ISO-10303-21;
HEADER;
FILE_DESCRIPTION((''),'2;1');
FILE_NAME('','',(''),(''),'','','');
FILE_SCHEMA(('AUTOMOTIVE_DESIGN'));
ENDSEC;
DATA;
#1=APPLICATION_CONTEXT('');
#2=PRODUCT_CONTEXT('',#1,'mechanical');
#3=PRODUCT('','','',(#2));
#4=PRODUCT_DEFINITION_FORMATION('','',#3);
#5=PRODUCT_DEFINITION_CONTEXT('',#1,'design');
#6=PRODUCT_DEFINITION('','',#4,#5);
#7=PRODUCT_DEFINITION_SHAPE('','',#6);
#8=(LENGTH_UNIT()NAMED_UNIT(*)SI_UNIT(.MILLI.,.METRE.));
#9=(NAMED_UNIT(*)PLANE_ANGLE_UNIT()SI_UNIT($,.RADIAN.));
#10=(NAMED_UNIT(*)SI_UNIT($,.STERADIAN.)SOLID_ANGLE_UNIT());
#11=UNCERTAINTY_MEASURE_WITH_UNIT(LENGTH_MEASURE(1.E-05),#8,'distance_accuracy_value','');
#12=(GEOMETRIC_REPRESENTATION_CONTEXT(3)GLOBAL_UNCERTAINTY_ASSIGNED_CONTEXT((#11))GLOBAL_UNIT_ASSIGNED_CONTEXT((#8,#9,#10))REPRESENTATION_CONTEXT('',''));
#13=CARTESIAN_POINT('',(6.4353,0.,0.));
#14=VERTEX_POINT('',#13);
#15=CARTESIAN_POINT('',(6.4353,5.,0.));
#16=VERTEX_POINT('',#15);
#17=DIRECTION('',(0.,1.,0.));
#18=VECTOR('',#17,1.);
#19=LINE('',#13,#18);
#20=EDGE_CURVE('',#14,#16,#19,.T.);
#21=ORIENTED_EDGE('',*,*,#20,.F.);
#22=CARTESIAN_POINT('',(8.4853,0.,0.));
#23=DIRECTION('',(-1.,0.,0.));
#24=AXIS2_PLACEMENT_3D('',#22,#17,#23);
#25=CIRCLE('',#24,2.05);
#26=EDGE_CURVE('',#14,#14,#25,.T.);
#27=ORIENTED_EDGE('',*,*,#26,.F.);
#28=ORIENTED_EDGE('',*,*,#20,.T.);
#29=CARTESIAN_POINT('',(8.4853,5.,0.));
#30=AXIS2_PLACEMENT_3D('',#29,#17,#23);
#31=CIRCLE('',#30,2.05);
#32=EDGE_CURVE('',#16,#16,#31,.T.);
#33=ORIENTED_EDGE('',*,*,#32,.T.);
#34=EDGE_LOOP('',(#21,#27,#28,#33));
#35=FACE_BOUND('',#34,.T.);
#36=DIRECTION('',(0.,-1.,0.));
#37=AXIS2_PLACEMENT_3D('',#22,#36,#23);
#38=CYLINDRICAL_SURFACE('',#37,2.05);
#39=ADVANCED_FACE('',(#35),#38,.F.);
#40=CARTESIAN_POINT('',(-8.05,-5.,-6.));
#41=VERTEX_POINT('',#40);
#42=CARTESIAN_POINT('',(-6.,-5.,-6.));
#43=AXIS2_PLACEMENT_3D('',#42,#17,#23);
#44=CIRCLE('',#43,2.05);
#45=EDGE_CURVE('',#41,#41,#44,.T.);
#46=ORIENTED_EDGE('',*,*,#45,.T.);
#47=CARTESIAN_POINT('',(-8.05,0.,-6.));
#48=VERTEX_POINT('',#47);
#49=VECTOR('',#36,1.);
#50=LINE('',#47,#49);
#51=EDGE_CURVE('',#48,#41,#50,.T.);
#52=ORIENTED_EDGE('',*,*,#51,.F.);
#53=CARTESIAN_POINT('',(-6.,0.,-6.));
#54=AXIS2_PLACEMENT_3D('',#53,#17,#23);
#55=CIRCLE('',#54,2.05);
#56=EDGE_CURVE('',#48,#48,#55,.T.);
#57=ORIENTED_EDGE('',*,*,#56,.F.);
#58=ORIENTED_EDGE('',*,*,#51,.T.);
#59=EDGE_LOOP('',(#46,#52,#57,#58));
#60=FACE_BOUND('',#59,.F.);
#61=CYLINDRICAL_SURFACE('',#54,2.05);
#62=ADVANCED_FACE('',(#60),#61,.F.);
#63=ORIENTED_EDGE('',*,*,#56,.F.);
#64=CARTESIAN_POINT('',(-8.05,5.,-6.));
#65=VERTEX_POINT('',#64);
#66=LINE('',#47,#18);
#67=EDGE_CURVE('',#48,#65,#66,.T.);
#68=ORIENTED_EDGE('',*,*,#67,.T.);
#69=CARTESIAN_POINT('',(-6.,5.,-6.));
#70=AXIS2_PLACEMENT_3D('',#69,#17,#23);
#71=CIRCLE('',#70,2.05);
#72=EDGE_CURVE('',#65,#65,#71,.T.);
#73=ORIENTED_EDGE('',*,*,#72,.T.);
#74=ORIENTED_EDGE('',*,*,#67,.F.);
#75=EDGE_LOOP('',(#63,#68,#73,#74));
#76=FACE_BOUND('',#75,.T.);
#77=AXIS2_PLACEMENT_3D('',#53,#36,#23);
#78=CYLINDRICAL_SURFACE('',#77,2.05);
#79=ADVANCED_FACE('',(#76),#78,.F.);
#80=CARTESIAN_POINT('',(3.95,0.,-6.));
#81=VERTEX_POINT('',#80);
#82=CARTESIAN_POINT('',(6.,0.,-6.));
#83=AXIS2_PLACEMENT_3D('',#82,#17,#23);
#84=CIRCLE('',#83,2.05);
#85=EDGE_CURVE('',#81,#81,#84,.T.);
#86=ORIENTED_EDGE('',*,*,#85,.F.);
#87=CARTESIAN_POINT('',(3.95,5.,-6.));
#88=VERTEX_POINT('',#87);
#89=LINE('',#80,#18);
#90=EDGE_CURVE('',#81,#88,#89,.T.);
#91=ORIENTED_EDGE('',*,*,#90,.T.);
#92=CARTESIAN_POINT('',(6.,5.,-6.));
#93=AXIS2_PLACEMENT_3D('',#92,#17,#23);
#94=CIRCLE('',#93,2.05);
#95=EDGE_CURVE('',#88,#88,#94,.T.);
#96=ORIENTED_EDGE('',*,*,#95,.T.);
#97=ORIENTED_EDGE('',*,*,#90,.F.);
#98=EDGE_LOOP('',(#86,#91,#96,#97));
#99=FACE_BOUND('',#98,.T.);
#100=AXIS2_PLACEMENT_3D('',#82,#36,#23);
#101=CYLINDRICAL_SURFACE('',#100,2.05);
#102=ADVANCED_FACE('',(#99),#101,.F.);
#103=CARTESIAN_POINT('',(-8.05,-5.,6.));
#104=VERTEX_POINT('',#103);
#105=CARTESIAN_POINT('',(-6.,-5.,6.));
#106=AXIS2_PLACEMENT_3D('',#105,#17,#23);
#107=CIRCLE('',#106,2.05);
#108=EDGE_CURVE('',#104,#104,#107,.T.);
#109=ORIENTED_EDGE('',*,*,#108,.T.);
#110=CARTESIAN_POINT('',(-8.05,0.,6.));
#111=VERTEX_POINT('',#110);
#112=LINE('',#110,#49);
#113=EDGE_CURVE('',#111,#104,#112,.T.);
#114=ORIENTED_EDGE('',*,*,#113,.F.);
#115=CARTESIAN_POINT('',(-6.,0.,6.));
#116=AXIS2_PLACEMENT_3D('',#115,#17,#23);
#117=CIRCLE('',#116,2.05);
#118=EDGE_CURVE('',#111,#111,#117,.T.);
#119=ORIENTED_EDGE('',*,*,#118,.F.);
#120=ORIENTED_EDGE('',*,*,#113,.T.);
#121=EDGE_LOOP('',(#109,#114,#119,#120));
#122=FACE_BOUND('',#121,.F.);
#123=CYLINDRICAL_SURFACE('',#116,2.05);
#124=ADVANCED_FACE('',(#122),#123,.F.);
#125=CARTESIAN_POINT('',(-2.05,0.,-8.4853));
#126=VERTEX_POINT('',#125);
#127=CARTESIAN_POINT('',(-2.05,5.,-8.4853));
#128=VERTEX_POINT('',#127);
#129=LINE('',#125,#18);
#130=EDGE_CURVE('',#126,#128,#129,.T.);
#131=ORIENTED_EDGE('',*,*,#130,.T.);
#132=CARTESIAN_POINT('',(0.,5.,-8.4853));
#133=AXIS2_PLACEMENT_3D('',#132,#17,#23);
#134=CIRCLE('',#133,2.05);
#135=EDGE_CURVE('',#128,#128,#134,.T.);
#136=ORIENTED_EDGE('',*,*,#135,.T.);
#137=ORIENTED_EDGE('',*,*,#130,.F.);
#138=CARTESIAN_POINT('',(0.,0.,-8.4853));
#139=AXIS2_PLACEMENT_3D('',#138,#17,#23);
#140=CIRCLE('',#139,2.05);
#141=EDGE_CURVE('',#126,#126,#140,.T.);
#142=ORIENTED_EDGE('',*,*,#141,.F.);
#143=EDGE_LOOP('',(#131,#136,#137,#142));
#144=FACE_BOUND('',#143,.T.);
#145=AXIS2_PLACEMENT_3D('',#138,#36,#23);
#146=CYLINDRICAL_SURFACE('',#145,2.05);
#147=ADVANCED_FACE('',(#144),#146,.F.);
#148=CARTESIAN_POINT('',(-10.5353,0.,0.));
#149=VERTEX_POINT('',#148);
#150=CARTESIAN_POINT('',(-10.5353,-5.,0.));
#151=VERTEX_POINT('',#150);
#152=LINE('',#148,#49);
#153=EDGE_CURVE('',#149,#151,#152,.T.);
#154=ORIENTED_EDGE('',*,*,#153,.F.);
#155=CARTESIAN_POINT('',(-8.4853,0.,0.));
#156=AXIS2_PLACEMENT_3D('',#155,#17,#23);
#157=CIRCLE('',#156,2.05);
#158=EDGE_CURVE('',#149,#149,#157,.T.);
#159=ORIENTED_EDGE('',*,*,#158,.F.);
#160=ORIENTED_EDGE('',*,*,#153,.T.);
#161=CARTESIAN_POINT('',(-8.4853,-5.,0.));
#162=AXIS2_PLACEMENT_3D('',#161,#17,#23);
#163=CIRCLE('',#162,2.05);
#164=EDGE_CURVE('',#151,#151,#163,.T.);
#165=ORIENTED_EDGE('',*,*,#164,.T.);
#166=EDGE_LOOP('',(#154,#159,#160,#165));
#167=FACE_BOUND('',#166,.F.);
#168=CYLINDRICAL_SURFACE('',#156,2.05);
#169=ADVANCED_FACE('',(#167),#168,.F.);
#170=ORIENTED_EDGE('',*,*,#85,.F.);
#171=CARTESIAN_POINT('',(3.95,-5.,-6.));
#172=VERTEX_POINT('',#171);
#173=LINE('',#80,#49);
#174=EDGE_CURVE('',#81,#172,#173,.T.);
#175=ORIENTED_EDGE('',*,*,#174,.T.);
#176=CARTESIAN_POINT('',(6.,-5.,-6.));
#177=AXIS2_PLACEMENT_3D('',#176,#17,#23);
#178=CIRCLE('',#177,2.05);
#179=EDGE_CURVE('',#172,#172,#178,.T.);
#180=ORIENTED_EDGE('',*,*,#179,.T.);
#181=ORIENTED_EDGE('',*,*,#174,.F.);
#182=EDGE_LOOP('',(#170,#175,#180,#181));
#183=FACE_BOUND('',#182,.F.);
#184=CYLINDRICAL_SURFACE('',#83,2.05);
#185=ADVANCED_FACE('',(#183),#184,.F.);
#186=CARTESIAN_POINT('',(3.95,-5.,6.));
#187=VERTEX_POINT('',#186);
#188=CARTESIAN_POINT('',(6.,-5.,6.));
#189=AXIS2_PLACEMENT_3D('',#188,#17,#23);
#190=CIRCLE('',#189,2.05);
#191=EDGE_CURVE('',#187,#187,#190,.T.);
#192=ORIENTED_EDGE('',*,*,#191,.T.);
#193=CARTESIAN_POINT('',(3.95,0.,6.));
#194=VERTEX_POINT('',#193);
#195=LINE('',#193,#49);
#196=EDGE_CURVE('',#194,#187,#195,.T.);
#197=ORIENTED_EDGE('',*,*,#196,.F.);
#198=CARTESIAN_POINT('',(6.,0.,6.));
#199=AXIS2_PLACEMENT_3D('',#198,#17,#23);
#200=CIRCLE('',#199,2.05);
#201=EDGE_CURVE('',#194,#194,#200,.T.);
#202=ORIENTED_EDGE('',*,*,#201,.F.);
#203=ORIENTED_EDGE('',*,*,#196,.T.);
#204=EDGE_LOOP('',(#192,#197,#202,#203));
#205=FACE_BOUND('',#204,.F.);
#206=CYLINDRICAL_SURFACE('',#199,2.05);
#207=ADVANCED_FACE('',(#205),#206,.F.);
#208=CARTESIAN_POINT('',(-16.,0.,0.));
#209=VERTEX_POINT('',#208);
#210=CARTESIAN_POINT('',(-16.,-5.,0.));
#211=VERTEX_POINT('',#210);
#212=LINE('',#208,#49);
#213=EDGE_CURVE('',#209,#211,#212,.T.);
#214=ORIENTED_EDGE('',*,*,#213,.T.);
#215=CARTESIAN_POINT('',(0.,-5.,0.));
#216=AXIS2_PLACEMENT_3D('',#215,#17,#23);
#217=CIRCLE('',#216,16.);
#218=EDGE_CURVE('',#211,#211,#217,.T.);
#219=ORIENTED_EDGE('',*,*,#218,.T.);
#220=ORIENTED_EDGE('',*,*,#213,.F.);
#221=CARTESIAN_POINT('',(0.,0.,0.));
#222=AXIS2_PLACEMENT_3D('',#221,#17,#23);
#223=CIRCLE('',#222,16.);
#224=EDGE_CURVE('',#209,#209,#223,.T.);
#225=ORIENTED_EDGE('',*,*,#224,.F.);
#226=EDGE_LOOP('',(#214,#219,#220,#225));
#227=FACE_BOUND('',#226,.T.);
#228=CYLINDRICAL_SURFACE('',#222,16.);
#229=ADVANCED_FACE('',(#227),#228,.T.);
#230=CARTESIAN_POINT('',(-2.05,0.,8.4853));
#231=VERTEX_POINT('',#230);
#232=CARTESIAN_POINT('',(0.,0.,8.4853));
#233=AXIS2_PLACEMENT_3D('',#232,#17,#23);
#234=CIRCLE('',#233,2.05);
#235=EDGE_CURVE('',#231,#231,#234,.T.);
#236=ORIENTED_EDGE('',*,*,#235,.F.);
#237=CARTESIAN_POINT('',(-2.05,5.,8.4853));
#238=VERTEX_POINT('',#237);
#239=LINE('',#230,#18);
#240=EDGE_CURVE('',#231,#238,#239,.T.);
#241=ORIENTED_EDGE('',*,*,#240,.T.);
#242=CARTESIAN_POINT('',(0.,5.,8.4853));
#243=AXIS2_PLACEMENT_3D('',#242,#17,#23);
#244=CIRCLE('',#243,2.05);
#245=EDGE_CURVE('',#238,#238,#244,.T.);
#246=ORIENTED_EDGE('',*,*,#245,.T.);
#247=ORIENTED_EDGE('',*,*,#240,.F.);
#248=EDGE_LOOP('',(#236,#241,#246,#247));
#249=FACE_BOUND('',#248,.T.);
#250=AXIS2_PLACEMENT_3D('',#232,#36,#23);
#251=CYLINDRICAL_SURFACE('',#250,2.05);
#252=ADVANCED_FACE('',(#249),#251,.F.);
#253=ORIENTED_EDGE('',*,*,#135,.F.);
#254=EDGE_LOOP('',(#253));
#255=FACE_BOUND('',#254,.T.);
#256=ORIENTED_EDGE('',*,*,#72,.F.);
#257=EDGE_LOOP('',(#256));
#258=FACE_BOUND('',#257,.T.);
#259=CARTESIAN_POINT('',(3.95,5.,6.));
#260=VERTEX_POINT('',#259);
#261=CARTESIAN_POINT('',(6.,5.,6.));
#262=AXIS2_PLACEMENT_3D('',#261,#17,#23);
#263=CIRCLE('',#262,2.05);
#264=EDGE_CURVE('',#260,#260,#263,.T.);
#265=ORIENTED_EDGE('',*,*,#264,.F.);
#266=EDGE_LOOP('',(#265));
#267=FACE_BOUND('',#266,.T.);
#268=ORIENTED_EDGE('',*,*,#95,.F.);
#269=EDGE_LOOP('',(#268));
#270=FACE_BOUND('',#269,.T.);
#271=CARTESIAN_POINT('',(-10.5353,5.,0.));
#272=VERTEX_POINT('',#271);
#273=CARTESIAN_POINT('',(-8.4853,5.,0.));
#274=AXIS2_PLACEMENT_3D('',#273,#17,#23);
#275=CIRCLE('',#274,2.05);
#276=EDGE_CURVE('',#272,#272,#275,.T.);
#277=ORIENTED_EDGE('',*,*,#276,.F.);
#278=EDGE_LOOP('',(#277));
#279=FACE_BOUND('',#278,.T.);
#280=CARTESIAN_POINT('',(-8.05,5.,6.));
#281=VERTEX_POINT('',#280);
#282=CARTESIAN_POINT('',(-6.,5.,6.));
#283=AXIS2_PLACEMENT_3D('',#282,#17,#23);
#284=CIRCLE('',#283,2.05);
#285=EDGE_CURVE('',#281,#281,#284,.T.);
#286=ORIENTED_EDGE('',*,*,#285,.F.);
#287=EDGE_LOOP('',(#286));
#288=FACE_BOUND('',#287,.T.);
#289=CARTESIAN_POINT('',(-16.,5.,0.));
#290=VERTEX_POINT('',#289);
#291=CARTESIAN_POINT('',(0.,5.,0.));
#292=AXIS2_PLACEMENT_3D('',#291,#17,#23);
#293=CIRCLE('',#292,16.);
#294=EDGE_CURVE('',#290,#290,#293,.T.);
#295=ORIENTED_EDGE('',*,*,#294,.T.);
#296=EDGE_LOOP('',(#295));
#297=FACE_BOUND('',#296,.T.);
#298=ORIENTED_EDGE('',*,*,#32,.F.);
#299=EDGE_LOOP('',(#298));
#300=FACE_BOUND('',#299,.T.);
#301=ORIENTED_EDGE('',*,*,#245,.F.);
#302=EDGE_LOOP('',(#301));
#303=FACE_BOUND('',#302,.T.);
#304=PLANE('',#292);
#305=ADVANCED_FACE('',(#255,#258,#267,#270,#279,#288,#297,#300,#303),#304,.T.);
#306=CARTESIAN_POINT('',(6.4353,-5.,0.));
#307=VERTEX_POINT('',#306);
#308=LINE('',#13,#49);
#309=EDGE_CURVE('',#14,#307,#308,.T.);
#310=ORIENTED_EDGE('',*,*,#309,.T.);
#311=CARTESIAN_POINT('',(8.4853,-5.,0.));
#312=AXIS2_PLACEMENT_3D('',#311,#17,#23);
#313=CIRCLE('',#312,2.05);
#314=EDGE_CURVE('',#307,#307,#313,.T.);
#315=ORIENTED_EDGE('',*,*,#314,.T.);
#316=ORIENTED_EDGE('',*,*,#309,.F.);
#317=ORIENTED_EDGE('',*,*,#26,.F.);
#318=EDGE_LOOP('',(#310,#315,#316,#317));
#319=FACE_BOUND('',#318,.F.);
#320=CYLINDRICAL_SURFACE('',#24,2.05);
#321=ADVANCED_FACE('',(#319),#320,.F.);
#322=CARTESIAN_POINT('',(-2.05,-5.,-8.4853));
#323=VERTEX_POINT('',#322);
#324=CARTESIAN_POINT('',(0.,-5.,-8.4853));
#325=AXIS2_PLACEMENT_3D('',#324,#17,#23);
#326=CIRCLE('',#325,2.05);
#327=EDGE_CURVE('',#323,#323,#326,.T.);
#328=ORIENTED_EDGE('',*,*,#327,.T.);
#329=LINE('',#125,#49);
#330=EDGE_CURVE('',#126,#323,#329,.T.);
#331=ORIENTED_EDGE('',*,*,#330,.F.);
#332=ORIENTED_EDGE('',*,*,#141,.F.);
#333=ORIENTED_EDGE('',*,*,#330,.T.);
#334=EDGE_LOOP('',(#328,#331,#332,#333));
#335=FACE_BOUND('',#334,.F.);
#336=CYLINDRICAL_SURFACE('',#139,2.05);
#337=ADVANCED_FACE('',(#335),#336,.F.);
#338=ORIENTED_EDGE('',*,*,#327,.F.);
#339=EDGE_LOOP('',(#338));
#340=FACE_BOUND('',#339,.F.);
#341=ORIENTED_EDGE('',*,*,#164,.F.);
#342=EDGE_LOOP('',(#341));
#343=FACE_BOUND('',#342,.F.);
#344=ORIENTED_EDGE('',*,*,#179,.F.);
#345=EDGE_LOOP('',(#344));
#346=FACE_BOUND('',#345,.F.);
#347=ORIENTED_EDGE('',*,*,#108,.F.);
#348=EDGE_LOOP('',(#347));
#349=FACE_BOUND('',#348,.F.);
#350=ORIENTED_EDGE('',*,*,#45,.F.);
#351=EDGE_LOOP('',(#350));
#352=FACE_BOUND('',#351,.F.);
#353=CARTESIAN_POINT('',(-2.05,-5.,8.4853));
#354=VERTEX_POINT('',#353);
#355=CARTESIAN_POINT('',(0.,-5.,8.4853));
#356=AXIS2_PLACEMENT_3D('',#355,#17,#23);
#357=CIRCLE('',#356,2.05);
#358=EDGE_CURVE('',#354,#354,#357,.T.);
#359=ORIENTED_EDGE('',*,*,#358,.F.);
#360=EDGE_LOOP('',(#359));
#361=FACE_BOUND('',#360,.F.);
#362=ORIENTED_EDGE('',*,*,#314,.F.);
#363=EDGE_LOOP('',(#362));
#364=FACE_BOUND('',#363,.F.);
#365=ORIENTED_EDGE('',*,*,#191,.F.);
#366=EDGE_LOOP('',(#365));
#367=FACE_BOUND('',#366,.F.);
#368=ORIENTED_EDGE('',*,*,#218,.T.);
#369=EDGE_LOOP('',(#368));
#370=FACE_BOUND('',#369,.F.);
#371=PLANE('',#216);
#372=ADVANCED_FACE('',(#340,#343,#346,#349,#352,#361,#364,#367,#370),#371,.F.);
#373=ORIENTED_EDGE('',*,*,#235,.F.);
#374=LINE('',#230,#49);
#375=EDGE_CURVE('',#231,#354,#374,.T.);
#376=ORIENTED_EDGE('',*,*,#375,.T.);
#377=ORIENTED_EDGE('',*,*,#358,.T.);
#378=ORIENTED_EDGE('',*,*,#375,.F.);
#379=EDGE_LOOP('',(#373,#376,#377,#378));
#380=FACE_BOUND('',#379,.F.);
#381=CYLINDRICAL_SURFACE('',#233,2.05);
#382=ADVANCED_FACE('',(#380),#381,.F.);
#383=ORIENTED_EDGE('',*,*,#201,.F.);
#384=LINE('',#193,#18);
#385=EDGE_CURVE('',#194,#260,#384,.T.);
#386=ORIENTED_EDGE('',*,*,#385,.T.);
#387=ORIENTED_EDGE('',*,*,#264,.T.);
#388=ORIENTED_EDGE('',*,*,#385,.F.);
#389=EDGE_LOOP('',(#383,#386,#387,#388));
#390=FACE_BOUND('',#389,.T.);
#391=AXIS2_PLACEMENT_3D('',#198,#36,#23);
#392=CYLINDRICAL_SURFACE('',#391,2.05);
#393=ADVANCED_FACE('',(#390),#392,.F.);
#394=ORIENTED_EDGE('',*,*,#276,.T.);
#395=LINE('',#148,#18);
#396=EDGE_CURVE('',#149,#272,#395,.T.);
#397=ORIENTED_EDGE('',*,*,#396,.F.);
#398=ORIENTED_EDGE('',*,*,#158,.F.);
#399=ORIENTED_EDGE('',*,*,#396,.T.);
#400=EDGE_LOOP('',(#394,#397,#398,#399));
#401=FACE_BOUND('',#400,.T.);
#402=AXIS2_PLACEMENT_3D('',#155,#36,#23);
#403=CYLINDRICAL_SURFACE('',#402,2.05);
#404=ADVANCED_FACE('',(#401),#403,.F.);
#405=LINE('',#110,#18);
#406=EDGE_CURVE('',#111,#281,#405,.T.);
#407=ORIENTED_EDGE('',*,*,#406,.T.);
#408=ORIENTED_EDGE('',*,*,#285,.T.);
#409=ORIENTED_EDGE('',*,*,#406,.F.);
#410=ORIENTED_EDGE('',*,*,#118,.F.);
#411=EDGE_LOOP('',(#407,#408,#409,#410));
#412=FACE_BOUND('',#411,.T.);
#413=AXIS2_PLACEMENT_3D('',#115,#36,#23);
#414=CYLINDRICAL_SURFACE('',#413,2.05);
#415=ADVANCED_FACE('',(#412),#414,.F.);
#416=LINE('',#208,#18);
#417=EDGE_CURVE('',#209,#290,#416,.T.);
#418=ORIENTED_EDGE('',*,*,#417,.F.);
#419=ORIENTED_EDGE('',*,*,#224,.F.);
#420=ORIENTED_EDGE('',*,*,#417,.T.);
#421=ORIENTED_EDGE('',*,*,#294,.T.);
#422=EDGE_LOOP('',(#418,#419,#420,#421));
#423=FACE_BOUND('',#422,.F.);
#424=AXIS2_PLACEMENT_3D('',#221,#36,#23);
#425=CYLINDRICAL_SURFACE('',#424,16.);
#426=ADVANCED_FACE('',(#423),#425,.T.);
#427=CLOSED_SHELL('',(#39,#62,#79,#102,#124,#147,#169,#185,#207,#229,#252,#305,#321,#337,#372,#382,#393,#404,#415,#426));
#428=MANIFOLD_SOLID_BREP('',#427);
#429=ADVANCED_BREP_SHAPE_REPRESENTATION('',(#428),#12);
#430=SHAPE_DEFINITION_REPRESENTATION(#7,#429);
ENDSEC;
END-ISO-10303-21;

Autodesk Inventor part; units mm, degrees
ref_plane "YZ Plane" through (0, 0, 0) normal (1, 0, 0) x (0, 1, 0)
ref_plane "XZ Plane" through (0, 0, 0) normal (0, 1, 0) x (-1, 0, 0)
ref_plane "XY Plane" through (0, 0, 0) normal (0, 0, 1) x (1, 0, 0)
sketch "Sketch1" plane through (0, 0, 0) normal (0, 1, 0) x (-1, 0, 0)
  circle A0 centre (0, 0) radius 16
  circle A1 centre (0, 0) radius 2.5 construction
  circle A2 centre (6, 6) radius 2.05
  circle A3 centre (0, 8.4853) radius 2.05
  circle A4 centre (-6, 6) radius 2.05
  circle A5 centre (-8.4853, 0) radius 2.05
  circle A6 centre (-6, -6) radius 2.05
  circle A7 centre (0, -8.4853) radius 2.05
  circle A8 centre (6, -6) radius 2.05
  circle A9 centre (8.4853, 0) radius 2.05
  dimension "d0" = 32
  dimension "d1" = 5
  dimension "d2" = 4.1
  dimension "d3" = 6
  dimension "d4" = 6
  dimension "d7" = 360
extrude "Extrusion1" add sketch "Sketch1" along normal mid plane 10
properties part number "PulleySpacer"
